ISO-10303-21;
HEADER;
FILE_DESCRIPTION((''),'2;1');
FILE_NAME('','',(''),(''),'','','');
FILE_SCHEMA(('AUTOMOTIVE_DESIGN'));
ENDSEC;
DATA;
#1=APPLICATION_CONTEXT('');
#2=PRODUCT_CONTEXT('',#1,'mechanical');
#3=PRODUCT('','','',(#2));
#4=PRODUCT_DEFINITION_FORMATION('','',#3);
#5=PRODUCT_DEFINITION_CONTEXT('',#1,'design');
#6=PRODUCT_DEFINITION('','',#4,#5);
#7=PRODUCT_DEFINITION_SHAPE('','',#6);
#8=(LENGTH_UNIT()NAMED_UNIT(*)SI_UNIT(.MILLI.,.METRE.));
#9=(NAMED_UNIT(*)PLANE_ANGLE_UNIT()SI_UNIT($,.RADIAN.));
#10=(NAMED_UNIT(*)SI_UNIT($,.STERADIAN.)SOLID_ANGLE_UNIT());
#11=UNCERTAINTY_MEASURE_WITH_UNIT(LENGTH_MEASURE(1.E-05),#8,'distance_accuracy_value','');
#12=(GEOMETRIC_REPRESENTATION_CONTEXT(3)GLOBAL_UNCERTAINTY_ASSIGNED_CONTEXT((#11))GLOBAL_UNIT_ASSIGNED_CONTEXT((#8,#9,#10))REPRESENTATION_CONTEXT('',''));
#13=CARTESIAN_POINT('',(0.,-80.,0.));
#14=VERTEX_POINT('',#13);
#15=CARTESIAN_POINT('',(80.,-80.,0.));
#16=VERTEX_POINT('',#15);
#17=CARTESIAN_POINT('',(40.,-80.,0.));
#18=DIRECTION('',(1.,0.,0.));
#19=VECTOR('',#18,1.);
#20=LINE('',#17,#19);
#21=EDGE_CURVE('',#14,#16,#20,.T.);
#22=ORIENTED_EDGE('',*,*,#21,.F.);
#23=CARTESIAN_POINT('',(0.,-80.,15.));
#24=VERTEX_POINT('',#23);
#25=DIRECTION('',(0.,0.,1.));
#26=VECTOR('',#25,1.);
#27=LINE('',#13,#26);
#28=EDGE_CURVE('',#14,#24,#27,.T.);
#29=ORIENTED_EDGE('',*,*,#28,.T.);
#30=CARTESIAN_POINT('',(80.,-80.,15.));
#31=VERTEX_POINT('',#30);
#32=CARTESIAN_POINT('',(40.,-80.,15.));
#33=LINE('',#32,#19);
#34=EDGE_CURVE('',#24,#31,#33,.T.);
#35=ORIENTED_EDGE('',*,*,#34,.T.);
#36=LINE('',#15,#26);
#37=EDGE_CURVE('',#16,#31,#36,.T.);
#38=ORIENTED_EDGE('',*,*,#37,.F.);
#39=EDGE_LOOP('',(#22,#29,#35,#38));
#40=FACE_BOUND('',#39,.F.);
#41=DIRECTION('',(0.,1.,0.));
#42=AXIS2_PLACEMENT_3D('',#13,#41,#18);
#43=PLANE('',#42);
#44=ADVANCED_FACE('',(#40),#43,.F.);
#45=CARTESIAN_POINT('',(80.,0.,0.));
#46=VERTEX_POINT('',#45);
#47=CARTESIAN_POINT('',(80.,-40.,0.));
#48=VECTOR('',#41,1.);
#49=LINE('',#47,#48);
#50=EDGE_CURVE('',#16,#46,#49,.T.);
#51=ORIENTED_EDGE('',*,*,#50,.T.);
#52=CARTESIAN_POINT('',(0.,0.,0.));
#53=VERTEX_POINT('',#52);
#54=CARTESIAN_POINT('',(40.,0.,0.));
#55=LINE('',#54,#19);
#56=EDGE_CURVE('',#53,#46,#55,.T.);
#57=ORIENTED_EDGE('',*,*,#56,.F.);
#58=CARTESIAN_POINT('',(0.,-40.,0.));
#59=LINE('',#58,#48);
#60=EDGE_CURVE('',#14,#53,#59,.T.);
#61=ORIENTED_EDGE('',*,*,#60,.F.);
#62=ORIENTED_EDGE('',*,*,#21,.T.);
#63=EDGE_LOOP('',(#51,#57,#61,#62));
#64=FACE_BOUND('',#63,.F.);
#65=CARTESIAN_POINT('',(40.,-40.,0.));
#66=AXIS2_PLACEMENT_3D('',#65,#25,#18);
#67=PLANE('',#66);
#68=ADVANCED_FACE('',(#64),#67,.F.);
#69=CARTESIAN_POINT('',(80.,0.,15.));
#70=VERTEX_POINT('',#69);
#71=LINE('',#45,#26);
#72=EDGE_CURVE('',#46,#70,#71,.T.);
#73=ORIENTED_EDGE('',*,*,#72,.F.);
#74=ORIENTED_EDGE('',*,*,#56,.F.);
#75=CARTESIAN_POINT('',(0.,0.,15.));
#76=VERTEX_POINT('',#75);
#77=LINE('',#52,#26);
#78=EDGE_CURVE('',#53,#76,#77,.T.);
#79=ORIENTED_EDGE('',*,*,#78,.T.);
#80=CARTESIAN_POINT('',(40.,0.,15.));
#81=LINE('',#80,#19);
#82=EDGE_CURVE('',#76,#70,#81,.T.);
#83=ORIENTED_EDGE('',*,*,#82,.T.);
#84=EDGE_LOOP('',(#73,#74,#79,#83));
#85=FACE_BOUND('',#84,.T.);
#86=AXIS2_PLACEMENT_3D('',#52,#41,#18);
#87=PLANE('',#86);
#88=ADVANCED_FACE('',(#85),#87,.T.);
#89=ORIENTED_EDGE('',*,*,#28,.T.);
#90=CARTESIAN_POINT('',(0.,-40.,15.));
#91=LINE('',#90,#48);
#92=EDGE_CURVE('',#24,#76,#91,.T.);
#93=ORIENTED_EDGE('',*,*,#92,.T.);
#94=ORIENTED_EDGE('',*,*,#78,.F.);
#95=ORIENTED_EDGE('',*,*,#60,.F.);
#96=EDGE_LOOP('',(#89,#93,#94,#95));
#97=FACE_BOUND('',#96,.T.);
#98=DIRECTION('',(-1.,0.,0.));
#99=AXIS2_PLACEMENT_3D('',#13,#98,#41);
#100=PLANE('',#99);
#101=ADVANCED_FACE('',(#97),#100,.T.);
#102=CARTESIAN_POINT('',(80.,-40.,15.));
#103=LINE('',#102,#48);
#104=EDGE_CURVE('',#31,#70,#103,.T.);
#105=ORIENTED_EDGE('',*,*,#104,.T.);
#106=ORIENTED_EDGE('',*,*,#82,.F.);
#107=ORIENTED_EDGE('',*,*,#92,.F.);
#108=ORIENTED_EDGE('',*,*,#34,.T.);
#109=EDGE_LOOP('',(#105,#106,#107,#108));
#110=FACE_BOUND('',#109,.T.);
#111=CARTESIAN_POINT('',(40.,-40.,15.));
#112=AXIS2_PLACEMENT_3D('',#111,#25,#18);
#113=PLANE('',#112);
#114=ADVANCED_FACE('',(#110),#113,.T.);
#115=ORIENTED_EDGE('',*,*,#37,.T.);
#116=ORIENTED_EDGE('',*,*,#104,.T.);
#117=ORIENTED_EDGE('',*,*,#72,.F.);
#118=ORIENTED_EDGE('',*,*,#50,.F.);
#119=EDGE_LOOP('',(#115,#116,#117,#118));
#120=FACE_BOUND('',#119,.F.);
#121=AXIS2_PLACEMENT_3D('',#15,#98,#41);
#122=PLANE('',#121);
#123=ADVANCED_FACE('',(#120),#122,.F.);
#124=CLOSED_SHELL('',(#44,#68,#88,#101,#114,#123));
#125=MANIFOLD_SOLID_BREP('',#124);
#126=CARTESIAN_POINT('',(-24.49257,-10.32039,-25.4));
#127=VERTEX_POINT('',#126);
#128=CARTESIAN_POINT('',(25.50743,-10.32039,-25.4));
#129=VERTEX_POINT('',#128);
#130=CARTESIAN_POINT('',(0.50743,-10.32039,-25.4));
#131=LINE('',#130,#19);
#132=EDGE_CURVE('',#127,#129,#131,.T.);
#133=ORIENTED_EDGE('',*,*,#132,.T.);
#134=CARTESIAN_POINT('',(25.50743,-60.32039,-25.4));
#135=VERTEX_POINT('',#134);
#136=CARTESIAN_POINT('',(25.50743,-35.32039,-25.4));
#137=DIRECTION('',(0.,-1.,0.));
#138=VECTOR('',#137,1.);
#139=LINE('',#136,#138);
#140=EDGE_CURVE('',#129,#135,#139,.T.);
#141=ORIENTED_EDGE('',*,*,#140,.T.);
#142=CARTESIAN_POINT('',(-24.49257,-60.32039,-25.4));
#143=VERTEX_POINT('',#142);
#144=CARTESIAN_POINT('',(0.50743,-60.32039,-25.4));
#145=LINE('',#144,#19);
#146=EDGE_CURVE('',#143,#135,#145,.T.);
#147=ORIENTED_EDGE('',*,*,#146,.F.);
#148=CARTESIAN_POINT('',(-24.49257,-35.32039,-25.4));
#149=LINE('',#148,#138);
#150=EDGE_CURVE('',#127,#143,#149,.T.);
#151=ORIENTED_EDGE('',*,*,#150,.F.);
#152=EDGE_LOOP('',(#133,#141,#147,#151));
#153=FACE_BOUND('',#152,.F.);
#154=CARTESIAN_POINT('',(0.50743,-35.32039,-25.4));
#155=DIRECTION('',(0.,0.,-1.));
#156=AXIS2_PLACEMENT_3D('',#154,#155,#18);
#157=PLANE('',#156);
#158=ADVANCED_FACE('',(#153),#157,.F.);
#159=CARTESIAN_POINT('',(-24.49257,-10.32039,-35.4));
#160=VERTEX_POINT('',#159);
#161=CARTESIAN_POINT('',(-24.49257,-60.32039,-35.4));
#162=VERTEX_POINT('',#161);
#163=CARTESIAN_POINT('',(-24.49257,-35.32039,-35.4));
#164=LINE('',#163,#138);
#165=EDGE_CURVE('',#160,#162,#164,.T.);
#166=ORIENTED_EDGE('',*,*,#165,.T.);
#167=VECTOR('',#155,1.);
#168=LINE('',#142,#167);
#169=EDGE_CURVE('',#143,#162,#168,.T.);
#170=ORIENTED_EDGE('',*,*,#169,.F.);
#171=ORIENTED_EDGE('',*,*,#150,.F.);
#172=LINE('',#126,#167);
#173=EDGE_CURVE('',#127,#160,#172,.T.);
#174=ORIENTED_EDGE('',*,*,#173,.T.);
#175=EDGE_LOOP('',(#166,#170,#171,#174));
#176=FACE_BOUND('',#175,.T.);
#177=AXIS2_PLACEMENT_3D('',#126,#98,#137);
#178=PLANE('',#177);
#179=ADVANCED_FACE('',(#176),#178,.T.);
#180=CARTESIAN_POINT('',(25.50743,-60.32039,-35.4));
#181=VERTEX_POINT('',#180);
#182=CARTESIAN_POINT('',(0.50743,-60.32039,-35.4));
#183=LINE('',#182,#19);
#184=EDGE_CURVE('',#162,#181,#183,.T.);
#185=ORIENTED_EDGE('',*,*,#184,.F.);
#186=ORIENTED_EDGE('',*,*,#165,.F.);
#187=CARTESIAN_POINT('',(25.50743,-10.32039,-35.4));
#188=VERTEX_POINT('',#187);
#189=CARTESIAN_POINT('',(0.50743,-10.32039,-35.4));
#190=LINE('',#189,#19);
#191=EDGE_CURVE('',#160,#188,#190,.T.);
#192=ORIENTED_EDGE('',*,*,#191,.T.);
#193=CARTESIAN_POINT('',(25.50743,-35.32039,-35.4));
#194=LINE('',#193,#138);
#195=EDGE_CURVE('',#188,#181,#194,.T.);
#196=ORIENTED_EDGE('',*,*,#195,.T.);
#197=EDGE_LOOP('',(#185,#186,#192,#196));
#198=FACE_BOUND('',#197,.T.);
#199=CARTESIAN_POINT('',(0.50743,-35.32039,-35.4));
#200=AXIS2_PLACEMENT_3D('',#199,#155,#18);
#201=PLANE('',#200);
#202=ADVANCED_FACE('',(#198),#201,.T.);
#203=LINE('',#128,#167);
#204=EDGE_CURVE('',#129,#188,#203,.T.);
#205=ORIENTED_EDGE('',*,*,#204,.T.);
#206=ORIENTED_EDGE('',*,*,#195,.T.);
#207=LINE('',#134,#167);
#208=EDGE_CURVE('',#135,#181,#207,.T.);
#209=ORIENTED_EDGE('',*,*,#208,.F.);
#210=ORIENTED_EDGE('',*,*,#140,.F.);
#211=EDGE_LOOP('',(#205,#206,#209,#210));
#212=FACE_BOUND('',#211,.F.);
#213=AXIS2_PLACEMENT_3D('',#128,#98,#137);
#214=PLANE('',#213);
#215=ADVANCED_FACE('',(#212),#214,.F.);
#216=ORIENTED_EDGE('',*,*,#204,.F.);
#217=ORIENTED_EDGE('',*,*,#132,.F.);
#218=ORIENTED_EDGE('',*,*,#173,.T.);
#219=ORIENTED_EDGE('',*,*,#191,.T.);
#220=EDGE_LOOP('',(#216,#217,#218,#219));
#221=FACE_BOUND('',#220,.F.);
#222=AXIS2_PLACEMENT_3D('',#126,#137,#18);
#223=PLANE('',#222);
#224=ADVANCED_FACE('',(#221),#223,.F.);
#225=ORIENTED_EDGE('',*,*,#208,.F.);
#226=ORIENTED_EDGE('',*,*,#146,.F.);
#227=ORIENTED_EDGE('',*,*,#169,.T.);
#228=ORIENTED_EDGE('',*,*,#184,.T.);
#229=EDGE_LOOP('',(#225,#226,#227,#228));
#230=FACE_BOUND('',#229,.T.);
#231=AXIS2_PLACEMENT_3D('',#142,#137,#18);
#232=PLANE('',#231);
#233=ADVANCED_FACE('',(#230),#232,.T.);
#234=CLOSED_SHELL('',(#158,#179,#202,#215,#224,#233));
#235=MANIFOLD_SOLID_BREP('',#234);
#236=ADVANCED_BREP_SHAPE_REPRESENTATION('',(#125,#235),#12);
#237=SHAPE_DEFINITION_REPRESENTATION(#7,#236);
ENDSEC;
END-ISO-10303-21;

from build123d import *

# Parameters (mm, degrees)
F0_W     = 80
F0_H     = 80
F1_DEPTH = 15
F3_W     = 50
F3_H     = 50
F4_DEPTH = 10


with BuildPart() as f1:
    # F0 (on Top) → F1 (new body)
    with BuildSketch(Plane.XY):
        with Locations((40, -40)):
            Rectangle(F0_W, F0_H)
    extrude(amount=F1_DEPTH)


with BuildPart() as f4:
    # F3 (on offset) → F4 (new body)
    with BuildSketch(Plane(origin=(0, 0, -25.4), x_dir=(1, 0, 0), z_dir=(0, 0, -1))):
        with Locations((0.5074296147, 35.3203896433)):
            Rectangle(F3_W, F3_H)
    extrude(amount=F4_DEPTH)


solid = Compound([f1.part, f4.part])
